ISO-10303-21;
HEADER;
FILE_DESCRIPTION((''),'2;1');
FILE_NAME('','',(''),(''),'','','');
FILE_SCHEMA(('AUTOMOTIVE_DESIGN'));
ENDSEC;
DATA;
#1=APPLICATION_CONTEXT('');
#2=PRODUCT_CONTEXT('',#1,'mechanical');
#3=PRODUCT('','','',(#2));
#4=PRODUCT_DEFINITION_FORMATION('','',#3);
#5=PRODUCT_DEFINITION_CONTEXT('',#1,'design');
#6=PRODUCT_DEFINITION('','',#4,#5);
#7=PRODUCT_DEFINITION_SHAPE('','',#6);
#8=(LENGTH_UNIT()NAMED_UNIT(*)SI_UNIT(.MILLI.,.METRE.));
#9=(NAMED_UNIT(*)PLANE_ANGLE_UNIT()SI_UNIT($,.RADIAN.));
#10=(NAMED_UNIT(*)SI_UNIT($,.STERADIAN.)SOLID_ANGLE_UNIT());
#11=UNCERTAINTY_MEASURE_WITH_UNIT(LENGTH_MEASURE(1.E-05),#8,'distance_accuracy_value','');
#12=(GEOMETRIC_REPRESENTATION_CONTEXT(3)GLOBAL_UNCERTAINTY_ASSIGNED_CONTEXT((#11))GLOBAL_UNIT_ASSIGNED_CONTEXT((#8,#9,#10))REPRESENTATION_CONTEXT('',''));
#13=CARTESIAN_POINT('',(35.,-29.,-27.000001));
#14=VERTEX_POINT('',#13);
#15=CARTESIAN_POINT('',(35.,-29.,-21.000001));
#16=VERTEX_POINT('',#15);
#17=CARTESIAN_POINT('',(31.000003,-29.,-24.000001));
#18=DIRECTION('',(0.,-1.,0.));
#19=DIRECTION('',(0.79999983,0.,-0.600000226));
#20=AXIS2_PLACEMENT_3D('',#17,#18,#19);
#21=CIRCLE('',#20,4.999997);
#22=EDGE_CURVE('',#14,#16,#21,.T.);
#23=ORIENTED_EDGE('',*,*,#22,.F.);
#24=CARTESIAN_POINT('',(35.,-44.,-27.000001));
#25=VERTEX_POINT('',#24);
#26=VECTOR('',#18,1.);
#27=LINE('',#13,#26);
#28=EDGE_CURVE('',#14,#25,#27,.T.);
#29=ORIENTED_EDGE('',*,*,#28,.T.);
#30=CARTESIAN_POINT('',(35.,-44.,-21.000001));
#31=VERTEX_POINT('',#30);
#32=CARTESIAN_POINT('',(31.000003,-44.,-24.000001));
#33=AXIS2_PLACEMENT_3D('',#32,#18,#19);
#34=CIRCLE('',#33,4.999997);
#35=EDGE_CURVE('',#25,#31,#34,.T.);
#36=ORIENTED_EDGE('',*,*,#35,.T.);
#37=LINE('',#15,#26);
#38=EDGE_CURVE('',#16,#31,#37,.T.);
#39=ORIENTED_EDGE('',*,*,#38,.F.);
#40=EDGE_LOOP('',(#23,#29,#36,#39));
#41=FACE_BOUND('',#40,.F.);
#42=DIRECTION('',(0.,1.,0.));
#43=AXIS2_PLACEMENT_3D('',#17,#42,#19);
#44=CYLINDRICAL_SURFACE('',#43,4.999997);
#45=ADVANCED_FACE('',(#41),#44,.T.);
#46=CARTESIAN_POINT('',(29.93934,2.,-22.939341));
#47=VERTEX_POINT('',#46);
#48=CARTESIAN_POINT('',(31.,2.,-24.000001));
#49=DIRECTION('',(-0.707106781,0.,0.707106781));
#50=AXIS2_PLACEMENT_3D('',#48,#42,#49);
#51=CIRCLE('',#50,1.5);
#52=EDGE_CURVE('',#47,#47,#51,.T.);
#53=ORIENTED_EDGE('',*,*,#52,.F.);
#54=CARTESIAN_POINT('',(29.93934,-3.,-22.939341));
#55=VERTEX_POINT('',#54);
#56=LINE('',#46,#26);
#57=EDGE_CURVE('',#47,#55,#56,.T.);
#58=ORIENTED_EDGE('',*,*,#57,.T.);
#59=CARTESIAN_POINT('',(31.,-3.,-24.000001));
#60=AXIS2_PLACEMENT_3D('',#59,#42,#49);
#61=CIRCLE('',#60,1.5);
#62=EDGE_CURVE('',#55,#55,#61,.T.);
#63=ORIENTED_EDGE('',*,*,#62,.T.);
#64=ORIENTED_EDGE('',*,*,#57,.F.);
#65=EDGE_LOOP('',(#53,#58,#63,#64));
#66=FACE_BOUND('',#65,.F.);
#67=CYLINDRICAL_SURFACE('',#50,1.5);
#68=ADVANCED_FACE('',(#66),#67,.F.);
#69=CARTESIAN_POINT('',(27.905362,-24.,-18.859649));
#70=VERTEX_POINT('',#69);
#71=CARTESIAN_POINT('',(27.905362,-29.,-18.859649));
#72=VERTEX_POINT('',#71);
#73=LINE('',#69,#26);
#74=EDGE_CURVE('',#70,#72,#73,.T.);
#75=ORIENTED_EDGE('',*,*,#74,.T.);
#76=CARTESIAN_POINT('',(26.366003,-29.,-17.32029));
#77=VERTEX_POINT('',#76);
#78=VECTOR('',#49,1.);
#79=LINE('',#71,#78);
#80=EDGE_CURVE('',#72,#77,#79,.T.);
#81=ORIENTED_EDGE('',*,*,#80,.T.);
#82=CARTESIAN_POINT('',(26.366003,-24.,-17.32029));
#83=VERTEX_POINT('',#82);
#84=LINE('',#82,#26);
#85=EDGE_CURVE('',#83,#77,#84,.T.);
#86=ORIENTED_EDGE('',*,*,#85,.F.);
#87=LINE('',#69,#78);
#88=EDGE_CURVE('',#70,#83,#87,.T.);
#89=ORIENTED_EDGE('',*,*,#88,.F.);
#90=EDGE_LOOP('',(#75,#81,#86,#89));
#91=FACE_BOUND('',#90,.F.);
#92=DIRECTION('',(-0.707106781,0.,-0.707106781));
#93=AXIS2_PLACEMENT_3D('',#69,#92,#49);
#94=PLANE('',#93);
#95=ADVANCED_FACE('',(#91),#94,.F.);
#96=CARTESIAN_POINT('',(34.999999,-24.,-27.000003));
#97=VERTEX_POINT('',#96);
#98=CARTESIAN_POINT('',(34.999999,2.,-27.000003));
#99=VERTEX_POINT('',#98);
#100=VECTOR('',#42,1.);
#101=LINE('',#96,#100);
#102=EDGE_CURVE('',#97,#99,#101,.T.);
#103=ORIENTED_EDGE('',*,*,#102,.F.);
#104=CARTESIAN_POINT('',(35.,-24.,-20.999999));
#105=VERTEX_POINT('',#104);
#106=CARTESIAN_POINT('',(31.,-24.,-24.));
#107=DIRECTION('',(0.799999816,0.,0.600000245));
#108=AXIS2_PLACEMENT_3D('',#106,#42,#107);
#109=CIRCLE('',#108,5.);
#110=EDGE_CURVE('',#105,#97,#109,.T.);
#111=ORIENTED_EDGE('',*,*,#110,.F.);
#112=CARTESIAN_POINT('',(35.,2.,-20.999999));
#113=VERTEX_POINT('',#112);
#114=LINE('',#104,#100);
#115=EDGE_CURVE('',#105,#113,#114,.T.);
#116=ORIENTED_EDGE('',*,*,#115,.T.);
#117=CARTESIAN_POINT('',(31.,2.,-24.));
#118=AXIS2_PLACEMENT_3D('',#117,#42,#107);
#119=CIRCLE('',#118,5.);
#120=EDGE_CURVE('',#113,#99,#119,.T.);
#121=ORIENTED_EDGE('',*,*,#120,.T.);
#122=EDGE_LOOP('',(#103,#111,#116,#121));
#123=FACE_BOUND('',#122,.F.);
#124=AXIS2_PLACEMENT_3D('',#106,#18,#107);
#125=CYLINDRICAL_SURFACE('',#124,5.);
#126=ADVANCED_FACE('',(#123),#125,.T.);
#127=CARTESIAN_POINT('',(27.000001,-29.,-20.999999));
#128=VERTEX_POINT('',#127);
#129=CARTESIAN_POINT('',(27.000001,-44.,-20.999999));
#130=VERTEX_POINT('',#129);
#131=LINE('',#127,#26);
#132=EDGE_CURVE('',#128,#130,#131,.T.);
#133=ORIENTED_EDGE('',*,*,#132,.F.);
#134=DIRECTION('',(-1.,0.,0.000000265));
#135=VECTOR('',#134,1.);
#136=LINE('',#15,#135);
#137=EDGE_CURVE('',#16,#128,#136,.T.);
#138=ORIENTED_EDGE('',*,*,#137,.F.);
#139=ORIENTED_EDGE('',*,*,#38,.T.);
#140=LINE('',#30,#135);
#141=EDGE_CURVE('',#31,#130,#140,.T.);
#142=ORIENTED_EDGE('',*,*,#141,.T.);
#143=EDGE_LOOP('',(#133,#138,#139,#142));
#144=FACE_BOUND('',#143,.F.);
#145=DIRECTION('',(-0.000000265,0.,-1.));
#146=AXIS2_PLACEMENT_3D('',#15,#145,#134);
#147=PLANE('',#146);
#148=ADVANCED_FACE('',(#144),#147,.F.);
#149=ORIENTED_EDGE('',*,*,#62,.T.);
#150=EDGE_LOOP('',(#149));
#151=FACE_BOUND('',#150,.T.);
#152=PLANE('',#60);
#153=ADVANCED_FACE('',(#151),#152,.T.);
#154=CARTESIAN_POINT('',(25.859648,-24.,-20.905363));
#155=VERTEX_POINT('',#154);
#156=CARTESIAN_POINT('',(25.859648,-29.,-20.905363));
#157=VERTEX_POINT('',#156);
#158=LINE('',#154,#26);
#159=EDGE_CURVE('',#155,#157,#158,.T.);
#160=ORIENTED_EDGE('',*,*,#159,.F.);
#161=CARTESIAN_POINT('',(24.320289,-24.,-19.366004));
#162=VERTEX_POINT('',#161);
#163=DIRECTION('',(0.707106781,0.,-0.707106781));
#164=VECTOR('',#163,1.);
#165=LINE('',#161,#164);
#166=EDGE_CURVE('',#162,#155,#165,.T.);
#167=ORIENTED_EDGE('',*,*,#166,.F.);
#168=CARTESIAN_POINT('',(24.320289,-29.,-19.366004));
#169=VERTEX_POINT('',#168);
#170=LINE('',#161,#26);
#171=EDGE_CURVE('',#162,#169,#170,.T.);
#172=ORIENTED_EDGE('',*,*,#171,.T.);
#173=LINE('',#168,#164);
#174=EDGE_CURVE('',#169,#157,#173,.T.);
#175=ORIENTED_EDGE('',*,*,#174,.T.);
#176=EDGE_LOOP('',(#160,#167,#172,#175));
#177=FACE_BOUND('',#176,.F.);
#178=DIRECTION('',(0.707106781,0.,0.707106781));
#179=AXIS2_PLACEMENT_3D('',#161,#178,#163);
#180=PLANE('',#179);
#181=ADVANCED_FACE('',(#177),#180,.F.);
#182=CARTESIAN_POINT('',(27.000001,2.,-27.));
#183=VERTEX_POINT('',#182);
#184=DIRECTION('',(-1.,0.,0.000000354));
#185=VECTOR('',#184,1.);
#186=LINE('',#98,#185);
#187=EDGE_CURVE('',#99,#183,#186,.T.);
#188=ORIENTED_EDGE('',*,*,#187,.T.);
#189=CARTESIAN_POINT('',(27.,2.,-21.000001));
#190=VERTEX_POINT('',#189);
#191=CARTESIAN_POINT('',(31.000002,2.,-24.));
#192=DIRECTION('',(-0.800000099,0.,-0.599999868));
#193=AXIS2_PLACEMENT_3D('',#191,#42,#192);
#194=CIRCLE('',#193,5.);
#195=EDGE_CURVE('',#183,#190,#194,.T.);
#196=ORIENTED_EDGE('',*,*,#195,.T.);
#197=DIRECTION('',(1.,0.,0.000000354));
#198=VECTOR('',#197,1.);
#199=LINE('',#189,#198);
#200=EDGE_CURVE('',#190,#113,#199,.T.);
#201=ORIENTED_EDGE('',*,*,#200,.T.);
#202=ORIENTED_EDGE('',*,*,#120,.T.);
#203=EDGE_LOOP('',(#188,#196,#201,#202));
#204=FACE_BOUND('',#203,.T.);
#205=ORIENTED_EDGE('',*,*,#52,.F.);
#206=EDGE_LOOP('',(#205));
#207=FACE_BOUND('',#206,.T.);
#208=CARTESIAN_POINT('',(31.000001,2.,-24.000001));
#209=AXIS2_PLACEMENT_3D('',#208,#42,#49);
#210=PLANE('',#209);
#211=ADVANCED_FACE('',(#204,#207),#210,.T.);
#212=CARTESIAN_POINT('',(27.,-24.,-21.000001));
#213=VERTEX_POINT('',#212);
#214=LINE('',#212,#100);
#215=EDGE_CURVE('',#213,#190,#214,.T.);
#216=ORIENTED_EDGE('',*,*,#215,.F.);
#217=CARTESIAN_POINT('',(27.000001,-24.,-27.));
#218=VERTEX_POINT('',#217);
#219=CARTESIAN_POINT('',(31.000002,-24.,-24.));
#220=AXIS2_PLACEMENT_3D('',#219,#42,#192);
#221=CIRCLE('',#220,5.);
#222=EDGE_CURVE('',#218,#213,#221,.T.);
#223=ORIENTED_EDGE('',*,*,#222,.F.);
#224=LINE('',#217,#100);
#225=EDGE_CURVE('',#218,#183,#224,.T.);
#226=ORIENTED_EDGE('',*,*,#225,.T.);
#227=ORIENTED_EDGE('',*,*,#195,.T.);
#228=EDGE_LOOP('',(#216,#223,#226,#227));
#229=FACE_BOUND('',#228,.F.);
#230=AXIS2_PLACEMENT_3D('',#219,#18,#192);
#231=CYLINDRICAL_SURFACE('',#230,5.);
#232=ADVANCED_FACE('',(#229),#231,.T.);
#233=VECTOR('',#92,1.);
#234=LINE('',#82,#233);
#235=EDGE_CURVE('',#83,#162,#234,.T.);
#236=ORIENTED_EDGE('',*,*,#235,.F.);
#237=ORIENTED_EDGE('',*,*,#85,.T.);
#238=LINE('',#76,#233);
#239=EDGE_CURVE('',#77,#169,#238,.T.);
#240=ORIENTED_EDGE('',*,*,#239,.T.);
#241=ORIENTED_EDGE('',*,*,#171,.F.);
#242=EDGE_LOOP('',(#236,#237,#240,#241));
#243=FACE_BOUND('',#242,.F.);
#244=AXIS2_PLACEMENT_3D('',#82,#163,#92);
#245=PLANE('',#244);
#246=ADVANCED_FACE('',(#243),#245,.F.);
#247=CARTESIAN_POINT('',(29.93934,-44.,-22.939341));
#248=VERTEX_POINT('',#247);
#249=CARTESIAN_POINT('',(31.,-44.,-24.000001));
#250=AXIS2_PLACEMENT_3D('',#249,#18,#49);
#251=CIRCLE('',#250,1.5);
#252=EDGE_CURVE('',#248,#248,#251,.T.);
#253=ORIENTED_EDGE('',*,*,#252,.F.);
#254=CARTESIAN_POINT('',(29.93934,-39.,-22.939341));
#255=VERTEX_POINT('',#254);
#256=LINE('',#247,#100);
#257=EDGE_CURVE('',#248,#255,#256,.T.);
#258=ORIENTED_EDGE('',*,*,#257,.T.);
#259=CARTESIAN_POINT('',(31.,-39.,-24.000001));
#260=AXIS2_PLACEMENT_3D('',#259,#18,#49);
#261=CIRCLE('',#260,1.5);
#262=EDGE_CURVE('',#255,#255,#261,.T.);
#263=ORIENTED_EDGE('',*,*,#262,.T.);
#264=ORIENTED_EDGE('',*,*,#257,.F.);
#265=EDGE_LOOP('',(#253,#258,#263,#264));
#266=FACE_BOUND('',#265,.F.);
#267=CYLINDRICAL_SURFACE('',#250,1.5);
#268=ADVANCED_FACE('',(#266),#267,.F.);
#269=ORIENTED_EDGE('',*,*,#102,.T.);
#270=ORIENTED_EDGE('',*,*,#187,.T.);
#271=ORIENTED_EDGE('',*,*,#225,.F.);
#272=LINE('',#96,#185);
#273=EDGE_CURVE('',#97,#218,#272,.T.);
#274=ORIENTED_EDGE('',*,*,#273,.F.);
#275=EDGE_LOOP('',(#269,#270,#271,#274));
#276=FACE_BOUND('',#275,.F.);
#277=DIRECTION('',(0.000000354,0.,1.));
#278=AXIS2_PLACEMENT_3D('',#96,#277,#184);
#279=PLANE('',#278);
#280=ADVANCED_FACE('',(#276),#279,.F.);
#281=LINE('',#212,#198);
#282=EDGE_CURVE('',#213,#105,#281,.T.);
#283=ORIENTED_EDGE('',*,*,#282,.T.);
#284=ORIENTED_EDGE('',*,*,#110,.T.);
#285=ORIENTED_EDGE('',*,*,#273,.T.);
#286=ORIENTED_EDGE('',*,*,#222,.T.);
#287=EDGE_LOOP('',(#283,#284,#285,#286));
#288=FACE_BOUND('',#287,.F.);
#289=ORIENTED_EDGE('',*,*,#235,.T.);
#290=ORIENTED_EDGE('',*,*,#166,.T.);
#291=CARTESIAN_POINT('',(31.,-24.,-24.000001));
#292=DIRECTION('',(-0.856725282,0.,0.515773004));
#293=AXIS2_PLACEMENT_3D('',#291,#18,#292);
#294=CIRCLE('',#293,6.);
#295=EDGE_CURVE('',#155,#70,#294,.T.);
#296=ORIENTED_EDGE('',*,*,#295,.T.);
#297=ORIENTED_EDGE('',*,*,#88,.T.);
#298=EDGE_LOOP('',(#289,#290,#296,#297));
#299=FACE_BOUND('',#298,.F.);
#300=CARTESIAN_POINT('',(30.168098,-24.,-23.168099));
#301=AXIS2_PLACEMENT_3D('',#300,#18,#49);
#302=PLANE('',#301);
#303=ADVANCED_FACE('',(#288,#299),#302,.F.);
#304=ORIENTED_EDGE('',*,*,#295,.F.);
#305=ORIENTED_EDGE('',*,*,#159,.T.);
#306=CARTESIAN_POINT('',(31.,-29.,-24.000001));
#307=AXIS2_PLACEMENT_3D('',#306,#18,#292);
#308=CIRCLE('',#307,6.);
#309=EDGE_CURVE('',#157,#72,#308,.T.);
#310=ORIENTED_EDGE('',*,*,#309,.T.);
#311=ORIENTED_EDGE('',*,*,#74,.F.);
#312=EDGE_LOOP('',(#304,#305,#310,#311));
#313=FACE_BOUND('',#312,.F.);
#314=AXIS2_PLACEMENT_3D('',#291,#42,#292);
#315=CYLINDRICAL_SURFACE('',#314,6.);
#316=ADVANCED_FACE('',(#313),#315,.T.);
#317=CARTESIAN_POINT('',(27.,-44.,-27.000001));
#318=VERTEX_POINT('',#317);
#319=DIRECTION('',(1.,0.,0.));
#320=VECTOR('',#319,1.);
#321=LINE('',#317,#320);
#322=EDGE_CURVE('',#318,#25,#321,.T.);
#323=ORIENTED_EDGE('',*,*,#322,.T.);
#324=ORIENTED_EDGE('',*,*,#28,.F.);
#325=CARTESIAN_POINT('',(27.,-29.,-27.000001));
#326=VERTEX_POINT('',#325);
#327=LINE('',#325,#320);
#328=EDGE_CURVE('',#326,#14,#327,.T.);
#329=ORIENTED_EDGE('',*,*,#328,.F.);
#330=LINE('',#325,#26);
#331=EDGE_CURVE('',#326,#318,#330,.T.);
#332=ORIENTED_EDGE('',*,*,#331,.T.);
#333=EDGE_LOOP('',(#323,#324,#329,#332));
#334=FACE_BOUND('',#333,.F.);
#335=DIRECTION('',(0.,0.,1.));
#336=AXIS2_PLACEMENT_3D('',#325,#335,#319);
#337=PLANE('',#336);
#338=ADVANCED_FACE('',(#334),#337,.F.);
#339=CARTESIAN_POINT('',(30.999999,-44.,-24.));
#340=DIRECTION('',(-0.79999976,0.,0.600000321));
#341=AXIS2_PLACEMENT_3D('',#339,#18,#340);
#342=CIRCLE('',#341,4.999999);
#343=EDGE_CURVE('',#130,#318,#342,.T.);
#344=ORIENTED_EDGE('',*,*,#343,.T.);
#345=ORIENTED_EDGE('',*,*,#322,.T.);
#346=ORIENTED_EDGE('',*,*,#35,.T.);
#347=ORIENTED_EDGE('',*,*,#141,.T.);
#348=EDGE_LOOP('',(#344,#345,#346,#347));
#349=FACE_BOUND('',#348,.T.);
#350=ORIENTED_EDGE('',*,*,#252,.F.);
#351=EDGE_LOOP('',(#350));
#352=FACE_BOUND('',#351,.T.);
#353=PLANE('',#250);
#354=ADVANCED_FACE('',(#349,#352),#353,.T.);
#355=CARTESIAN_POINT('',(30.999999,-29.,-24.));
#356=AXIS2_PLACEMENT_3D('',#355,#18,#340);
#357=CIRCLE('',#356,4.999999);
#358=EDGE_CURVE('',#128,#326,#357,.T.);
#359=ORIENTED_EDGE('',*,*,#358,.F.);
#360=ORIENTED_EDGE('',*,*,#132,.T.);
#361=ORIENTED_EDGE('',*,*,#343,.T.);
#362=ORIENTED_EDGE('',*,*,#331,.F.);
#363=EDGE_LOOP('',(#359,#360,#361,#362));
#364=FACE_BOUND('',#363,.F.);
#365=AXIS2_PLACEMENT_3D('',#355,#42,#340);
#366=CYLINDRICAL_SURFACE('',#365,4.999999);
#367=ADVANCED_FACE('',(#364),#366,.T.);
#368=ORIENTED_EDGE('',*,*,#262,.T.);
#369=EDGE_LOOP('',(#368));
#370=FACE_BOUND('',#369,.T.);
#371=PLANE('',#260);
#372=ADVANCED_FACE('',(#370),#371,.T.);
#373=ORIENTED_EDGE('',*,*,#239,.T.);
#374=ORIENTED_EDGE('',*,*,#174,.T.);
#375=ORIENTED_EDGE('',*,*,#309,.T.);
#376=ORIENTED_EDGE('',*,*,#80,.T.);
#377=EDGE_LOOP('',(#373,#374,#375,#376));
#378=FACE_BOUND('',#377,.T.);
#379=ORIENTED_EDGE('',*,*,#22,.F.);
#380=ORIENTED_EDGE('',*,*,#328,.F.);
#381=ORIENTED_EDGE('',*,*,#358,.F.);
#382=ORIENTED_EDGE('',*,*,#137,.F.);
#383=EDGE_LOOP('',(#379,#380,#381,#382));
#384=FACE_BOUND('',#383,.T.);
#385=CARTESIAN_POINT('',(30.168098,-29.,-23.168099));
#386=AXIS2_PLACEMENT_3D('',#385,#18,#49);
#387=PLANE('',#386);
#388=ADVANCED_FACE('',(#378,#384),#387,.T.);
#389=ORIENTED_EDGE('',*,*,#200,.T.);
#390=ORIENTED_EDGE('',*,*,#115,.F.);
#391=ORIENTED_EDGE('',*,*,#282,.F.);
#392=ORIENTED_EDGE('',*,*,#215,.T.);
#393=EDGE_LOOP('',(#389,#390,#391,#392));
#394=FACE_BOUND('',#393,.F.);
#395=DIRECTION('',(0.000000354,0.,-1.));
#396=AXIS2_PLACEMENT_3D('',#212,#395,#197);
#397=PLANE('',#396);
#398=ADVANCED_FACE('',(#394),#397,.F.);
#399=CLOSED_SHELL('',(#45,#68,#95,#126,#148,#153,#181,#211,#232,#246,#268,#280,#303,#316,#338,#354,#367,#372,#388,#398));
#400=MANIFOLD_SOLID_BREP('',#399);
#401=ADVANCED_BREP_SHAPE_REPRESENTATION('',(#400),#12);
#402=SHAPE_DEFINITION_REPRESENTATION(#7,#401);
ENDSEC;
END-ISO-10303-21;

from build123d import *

# Parameters (mm, degrees)
PAD001_DEPTH            = 5
PAD002_DEPTH            = 26
PAD003_DEPTH            = 15
SKETCH016_R             = 1.5
POCKET005_DEPTH         = 5
SKETCH015_R             = 1.5
POCKET006_DEPTH         = 5
BODY002_PLACEMENT_ANGLE = 225


with BuildPart() as part:
    # Sketch004 → Pad001 (new body)
    with BuildSketch(Plane.XZ):
        with BuildLine():
            ThreePointArc((5.823017, 1.446538), (-6, 0), (5.823017, -1.446538))
            Line((5.823017, -1.446538), (8, -1.446538))
            Line((8, -1.446538), (8, 1.446538))
            Line((8, 1.446538), (5.823017, 1.446538))
        make_face()
    extrude(amount=PAD001_DEPTH)

    # Sketch005 (on Face5 of Pad001) → Pad002 (join)
    with BuildSketch(Plane(origin=(0, 0, 0), x_dir=(1, 0, 0), z_dir=(0, 1, 0))):
        with BuildLine():
            ThreePointArc((-0.707105, 4.949749), (-3.535534, 3.535535), (-4.949748, 0.707105))
            Line((-4.949748, 0.707105), (0.707107, -4.949746))
            ThreePointArc((0.707107, -4.949746), (3.535533, -3.535533), (4.949747, -0.707107))
            Line((4.949747, -0.707107), (-0.707105, 4.949749))
        make_face()
    extrude(amount=PAD002_DEPTH)

    # Sketch006 (on Face5 of Pad002) → Pad003 (join)
    with BuildSketch(Plane.XZ.offset(5)):
        with BuildLine():
            ThreePointArc((-4.949747, -0.707107), (-3.535534, -3.535534), (-0.707107, -4.949747))
            Line((-0.707107, -4.949747), (4.949748, 0.707105))
            ThreePointArc((4.949748, 0.707105), (3.535535, 3.535533), (0.707107, 4.949747))
            Line((0.707107, 4.949747), (-4.949747, -0.707107))
        make_face()
    extrude(amount=PAD003_DEPTH)

    # Sketch016 (on Face15 of Pad003) → Pocket005 (cut)
    with BuildSketch(Plane(origin=(0, 26, 0), x_dir=(1, 0, 0), z_dir=(0, 1, 0))):
        Circle(SKETCH016_R)
    extrude(amount=-POCKET005_DEPTH, mode=Mode.SUBTRACT)

    # Sketch015 (on Face16 of Pad003) → Pocket006 (cut)
    with BuildSketch(Plane.XZ.offset(20)):
        Circle(SKETCH015_R)
    extrude(amount=-POCKET006_DEPTH, mode=Mode.SUBTRACT)


with BuildPart() as part_1:
    # Body002 placement: moved
    add(part.part.moved(Location((31, -24, -24.000001))).rotate(Axis((31, -24, -24.000001), (0, 1, 0)), BODY002_PLACEMENT_ANGLE))


solid = part_1.part
